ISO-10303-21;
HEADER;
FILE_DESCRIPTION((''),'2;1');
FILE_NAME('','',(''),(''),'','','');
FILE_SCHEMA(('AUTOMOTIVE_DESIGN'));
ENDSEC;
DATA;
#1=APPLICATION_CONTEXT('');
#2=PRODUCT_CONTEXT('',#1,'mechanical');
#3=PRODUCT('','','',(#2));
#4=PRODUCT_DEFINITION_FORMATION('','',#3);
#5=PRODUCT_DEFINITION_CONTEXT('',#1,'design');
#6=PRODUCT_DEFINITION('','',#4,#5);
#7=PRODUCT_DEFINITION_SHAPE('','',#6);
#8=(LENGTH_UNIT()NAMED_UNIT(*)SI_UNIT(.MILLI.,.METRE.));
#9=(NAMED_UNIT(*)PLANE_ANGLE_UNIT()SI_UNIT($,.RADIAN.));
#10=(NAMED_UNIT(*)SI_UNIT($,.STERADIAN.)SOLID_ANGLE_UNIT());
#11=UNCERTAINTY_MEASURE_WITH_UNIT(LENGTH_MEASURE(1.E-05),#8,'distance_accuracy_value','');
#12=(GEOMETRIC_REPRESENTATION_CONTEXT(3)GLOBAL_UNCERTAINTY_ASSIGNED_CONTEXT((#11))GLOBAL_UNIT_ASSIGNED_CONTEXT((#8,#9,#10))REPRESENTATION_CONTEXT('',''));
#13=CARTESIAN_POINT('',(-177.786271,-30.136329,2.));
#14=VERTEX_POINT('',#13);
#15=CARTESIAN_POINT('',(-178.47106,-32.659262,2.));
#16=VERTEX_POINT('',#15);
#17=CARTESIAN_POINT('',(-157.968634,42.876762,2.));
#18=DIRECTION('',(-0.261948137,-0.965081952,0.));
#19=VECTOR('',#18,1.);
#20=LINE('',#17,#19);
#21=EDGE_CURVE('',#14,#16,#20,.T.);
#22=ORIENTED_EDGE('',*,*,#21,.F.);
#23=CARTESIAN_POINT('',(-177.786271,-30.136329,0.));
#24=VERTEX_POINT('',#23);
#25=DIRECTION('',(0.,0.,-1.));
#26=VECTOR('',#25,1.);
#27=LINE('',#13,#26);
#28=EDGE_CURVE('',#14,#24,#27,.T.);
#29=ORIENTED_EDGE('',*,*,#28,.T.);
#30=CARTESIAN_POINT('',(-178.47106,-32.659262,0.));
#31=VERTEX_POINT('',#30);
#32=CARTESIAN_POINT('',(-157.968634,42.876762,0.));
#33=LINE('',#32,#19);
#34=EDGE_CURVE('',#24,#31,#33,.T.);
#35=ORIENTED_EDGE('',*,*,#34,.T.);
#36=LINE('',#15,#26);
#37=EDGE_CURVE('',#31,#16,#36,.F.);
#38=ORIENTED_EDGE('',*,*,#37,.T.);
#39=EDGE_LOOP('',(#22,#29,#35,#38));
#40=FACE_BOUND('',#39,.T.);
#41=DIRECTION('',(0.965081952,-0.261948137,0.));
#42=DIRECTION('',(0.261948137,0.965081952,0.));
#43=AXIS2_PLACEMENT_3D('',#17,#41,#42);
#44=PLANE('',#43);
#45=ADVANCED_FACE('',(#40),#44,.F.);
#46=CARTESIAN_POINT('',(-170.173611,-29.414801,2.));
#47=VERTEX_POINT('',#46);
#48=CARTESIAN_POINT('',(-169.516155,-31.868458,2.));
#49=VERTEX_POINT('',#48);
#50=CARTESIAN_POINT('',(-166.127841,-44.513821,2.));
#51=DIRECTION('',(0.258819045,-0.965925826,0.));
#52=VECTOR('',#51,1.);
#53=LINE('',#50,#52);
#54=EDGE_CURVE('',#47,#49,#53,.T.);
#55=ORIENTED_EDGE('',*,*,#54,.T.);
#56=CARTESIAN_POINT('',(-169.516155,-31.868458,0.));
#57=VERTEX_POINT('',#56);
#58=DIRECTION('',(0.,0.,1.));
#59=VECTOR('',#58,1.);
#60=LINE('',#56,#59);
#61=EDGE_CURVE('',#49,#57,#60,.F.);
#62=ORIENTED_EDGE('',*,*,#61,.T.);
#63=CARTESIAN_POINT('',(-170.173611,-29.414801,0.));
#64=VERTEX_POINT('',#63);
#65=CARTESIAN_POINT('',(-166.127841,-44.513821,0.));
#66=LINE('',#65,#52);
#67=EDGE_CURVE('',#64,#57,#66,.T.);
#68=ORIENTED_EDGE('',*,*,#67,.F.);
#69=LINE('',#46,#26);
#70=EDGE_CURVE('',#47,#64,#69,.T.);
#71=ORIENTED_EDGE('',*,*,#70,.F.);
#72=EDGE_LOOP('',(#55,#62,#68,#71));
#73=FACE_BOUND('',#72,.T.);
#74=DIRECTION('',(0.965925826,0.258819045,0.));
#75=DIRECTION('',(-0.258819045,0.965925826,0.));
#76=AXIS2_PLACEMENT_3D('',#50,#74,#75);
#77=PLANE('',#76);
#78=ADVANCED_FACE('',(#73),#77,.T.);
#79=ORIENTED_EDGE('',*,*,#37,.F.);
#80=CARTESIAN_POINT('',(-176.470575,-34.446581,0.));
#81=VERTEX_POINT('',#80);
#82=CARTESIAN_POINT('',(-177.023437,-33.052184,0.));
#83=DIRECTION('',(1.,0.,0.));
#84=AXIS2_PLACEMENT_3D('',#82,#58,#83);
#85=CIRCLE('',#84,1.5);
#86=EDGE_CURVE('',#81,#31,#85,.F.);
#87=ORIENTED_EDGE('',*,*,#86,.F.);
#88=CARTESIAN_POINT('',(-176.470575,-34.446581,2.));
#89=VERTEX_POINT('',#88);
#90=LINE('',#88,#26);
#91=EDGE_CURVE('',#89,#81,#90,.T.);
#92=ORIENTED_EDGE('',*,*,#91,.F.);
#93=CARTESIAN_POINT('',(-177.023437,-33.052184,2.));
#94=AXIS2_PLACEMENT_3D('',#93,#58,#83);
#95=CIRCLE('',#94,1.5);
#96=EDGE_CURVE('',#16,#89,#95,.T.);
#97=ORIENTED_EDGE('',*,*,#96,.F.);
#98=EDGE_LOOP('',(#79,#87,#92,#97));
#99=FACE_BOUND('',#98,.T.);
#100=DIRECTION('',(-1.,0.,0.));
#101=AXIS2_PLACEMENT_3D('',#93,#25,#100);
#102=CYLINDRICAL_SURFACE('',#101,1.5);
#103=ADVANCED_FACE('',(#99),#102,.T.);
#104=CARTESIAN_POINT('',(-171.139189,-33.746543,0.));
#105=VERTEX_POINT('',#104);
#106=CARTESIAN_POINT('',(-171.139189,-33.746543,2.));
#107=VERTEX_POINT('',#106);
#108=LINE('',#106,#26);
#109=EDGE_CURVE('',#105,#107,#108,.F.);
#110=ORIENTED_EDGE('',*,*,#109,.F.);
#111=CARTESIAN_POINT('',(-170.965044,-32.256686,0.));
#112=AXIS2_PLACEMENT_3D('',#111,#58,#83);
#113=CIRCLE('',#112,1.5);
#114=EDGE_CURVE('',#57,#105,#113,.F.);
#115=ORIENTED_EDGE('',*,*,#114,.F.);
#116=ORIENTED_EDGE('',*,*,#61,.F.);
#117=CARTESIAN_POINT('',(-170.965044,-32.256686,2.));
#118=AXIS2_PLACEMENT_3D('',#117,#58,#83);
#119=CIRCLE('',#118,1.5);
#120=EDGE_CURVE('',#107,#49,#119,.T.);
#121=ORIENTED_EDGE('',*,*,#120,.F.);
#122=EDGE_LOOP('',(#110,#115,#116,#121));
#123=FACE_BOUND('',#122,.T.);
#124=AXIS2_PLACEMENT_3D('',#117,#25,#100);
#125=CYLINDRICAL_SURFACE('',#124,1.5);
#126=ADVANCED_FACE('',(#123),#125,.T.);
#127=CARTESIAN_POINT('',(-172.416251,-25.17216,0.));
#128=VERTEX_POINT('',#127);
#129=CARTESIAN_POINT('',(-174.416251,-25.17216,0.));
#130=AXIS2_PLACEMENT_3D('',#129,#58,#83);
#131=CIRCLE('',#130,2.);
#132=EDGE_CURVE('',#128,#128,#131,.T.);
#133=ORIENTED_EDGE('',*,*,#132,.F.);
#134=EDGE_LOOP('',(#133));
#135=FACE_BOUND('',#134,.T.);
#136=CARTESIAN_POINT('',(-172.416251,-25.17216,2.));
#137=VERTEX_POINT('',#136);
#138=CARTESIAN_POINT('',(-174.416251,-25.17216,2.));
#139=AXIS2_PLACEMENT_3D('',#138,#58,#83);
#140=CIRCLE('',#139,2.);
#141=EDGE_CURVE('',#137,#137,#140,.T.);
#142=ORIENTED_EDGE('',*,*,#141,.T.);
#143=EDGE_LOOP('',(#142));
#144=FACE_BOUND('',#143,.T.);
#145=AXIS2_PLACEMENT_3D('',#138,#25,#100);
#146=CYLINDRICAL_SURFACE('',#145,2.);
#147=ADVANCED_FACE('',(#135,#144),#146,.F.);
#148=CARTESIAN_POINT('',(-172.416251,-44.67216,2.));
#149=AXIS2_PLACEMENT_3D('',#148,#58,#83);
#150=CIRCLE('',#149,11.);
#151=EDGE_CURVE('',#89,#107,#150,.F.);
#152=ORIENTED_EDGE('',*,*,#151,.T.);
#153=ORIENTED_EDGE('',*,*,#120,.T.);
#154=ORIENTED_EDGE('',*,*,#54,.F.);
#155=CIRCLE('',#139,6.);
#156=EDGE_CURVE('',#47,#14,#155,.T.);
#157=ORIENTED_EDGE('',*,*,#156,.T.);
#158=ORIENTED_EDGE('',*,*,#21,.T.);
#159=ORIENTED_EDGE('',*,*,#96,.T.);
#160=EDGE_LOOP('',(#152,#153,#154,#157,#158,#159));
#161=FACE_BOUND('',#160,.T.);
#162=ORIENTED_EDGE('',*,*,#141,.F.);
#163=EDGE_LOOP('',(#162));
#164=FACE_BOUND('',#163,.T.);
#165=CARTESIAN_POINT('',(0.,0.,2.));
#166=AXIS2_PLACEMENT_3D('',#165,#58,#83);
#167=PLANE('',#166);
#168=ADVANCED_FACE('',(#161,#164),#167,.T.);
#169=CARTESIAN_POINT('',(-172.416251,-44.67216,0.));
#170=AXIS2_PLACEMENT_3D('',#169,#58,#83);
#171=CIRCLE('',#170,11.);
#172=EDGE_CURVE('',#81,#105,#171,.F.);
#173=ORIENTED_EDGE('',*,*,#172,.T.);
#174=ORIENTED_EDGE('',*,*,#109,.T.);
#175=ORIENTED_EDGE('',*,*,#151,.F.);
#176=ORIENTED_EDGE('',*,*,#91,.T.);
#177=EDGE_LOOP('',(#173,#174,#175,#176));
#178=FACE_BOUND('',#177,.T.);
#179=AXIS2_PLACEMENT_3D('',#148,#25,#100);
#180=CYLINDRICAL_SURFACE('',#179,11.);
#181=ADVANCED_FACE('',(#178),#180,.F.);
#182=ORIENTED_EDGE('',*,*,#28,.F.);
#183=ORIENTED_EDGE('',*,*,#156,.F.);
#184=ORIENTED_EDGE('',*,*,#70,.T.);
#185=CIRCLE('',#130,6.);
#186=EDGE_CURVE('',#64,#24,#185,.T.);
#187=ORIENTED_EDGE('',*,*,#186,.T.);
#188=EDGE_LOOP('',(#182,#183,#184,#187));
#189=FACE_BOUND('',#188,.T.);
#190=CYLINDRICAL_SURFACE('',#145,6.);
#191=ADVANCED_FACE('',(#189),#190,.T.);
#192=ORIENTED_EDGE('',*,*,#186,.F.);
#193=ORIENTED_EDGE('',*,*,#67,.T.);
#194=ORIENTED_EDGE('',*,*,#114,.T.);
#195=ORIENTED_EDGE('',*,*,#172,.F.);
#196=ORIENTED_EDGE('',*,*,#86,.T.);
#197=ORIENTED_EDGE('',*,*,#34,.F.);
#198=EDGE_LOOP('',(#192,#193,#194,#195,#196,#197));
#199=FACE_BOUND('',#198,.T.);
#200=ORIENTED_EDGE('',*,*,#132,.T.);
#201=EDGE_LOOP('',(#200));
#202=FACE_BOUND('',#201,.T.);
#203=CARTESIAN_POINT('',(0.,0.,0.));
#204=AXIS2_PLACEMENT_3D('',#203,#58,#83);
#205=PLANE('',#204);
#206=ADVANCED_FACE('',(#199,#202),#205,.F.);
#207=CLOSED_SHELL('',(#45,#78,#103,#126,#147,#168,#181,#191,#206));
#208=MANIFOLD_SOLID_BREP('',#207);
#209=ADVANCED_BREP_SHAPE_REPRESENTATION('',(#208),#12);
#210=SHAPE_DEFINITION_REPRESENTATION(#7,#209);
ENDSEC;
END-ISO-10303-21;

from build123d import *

# Parameters (mm, degrees)
SKETCH1_R           = 6
SKETCH1_R_2         = 2
BOSS_EXTRUDE1_DEPTH = 2
FILLET1_R           = 1.5


with BuildPart() as part:
    # Sketch1 → Boss-Extrude1 (new body)
    with BuildSketch(Plane.XY):
        with Locations((-174.416251328, -25.172160385)):
            Circle(SKETCH1_R)
        with Locations((-174.416251328, -25.172160385)):
            Circle(SKETCH1_R_2, mode=Mode.SUBTRACT)
        with BuildLine():
            ThreePointArc((-170.173610641, -29.414801072), (-173.850108495, -31.145390859), (-177.78627055, -30.13632904))
            Line((-177.78627055, -30.13632904), (-179.432101814, -36.199979912))
            ThreePointArc((-179.432101814, -36.199979912), (-174.407079396, -33.853814689), (-168.876035514, -34.257417374))
            Line((-168.876035514, -34.257417374), (-170.173610641, -29.414801072))
        make_face()
    extrude(amount=BOSS_EXTRUDE1_DEPTH)

    # Fillet1
    fillet1_edges = [part.edges().sort_by_distance(p)[0] for p in [
        (-168.876035514, -34.257417374, 1),
        (-179.432101814, -36.199979912, 1),
    ]]
    fillet(fillet1_edges, radius=FILLET1_R)


solid = part.part
